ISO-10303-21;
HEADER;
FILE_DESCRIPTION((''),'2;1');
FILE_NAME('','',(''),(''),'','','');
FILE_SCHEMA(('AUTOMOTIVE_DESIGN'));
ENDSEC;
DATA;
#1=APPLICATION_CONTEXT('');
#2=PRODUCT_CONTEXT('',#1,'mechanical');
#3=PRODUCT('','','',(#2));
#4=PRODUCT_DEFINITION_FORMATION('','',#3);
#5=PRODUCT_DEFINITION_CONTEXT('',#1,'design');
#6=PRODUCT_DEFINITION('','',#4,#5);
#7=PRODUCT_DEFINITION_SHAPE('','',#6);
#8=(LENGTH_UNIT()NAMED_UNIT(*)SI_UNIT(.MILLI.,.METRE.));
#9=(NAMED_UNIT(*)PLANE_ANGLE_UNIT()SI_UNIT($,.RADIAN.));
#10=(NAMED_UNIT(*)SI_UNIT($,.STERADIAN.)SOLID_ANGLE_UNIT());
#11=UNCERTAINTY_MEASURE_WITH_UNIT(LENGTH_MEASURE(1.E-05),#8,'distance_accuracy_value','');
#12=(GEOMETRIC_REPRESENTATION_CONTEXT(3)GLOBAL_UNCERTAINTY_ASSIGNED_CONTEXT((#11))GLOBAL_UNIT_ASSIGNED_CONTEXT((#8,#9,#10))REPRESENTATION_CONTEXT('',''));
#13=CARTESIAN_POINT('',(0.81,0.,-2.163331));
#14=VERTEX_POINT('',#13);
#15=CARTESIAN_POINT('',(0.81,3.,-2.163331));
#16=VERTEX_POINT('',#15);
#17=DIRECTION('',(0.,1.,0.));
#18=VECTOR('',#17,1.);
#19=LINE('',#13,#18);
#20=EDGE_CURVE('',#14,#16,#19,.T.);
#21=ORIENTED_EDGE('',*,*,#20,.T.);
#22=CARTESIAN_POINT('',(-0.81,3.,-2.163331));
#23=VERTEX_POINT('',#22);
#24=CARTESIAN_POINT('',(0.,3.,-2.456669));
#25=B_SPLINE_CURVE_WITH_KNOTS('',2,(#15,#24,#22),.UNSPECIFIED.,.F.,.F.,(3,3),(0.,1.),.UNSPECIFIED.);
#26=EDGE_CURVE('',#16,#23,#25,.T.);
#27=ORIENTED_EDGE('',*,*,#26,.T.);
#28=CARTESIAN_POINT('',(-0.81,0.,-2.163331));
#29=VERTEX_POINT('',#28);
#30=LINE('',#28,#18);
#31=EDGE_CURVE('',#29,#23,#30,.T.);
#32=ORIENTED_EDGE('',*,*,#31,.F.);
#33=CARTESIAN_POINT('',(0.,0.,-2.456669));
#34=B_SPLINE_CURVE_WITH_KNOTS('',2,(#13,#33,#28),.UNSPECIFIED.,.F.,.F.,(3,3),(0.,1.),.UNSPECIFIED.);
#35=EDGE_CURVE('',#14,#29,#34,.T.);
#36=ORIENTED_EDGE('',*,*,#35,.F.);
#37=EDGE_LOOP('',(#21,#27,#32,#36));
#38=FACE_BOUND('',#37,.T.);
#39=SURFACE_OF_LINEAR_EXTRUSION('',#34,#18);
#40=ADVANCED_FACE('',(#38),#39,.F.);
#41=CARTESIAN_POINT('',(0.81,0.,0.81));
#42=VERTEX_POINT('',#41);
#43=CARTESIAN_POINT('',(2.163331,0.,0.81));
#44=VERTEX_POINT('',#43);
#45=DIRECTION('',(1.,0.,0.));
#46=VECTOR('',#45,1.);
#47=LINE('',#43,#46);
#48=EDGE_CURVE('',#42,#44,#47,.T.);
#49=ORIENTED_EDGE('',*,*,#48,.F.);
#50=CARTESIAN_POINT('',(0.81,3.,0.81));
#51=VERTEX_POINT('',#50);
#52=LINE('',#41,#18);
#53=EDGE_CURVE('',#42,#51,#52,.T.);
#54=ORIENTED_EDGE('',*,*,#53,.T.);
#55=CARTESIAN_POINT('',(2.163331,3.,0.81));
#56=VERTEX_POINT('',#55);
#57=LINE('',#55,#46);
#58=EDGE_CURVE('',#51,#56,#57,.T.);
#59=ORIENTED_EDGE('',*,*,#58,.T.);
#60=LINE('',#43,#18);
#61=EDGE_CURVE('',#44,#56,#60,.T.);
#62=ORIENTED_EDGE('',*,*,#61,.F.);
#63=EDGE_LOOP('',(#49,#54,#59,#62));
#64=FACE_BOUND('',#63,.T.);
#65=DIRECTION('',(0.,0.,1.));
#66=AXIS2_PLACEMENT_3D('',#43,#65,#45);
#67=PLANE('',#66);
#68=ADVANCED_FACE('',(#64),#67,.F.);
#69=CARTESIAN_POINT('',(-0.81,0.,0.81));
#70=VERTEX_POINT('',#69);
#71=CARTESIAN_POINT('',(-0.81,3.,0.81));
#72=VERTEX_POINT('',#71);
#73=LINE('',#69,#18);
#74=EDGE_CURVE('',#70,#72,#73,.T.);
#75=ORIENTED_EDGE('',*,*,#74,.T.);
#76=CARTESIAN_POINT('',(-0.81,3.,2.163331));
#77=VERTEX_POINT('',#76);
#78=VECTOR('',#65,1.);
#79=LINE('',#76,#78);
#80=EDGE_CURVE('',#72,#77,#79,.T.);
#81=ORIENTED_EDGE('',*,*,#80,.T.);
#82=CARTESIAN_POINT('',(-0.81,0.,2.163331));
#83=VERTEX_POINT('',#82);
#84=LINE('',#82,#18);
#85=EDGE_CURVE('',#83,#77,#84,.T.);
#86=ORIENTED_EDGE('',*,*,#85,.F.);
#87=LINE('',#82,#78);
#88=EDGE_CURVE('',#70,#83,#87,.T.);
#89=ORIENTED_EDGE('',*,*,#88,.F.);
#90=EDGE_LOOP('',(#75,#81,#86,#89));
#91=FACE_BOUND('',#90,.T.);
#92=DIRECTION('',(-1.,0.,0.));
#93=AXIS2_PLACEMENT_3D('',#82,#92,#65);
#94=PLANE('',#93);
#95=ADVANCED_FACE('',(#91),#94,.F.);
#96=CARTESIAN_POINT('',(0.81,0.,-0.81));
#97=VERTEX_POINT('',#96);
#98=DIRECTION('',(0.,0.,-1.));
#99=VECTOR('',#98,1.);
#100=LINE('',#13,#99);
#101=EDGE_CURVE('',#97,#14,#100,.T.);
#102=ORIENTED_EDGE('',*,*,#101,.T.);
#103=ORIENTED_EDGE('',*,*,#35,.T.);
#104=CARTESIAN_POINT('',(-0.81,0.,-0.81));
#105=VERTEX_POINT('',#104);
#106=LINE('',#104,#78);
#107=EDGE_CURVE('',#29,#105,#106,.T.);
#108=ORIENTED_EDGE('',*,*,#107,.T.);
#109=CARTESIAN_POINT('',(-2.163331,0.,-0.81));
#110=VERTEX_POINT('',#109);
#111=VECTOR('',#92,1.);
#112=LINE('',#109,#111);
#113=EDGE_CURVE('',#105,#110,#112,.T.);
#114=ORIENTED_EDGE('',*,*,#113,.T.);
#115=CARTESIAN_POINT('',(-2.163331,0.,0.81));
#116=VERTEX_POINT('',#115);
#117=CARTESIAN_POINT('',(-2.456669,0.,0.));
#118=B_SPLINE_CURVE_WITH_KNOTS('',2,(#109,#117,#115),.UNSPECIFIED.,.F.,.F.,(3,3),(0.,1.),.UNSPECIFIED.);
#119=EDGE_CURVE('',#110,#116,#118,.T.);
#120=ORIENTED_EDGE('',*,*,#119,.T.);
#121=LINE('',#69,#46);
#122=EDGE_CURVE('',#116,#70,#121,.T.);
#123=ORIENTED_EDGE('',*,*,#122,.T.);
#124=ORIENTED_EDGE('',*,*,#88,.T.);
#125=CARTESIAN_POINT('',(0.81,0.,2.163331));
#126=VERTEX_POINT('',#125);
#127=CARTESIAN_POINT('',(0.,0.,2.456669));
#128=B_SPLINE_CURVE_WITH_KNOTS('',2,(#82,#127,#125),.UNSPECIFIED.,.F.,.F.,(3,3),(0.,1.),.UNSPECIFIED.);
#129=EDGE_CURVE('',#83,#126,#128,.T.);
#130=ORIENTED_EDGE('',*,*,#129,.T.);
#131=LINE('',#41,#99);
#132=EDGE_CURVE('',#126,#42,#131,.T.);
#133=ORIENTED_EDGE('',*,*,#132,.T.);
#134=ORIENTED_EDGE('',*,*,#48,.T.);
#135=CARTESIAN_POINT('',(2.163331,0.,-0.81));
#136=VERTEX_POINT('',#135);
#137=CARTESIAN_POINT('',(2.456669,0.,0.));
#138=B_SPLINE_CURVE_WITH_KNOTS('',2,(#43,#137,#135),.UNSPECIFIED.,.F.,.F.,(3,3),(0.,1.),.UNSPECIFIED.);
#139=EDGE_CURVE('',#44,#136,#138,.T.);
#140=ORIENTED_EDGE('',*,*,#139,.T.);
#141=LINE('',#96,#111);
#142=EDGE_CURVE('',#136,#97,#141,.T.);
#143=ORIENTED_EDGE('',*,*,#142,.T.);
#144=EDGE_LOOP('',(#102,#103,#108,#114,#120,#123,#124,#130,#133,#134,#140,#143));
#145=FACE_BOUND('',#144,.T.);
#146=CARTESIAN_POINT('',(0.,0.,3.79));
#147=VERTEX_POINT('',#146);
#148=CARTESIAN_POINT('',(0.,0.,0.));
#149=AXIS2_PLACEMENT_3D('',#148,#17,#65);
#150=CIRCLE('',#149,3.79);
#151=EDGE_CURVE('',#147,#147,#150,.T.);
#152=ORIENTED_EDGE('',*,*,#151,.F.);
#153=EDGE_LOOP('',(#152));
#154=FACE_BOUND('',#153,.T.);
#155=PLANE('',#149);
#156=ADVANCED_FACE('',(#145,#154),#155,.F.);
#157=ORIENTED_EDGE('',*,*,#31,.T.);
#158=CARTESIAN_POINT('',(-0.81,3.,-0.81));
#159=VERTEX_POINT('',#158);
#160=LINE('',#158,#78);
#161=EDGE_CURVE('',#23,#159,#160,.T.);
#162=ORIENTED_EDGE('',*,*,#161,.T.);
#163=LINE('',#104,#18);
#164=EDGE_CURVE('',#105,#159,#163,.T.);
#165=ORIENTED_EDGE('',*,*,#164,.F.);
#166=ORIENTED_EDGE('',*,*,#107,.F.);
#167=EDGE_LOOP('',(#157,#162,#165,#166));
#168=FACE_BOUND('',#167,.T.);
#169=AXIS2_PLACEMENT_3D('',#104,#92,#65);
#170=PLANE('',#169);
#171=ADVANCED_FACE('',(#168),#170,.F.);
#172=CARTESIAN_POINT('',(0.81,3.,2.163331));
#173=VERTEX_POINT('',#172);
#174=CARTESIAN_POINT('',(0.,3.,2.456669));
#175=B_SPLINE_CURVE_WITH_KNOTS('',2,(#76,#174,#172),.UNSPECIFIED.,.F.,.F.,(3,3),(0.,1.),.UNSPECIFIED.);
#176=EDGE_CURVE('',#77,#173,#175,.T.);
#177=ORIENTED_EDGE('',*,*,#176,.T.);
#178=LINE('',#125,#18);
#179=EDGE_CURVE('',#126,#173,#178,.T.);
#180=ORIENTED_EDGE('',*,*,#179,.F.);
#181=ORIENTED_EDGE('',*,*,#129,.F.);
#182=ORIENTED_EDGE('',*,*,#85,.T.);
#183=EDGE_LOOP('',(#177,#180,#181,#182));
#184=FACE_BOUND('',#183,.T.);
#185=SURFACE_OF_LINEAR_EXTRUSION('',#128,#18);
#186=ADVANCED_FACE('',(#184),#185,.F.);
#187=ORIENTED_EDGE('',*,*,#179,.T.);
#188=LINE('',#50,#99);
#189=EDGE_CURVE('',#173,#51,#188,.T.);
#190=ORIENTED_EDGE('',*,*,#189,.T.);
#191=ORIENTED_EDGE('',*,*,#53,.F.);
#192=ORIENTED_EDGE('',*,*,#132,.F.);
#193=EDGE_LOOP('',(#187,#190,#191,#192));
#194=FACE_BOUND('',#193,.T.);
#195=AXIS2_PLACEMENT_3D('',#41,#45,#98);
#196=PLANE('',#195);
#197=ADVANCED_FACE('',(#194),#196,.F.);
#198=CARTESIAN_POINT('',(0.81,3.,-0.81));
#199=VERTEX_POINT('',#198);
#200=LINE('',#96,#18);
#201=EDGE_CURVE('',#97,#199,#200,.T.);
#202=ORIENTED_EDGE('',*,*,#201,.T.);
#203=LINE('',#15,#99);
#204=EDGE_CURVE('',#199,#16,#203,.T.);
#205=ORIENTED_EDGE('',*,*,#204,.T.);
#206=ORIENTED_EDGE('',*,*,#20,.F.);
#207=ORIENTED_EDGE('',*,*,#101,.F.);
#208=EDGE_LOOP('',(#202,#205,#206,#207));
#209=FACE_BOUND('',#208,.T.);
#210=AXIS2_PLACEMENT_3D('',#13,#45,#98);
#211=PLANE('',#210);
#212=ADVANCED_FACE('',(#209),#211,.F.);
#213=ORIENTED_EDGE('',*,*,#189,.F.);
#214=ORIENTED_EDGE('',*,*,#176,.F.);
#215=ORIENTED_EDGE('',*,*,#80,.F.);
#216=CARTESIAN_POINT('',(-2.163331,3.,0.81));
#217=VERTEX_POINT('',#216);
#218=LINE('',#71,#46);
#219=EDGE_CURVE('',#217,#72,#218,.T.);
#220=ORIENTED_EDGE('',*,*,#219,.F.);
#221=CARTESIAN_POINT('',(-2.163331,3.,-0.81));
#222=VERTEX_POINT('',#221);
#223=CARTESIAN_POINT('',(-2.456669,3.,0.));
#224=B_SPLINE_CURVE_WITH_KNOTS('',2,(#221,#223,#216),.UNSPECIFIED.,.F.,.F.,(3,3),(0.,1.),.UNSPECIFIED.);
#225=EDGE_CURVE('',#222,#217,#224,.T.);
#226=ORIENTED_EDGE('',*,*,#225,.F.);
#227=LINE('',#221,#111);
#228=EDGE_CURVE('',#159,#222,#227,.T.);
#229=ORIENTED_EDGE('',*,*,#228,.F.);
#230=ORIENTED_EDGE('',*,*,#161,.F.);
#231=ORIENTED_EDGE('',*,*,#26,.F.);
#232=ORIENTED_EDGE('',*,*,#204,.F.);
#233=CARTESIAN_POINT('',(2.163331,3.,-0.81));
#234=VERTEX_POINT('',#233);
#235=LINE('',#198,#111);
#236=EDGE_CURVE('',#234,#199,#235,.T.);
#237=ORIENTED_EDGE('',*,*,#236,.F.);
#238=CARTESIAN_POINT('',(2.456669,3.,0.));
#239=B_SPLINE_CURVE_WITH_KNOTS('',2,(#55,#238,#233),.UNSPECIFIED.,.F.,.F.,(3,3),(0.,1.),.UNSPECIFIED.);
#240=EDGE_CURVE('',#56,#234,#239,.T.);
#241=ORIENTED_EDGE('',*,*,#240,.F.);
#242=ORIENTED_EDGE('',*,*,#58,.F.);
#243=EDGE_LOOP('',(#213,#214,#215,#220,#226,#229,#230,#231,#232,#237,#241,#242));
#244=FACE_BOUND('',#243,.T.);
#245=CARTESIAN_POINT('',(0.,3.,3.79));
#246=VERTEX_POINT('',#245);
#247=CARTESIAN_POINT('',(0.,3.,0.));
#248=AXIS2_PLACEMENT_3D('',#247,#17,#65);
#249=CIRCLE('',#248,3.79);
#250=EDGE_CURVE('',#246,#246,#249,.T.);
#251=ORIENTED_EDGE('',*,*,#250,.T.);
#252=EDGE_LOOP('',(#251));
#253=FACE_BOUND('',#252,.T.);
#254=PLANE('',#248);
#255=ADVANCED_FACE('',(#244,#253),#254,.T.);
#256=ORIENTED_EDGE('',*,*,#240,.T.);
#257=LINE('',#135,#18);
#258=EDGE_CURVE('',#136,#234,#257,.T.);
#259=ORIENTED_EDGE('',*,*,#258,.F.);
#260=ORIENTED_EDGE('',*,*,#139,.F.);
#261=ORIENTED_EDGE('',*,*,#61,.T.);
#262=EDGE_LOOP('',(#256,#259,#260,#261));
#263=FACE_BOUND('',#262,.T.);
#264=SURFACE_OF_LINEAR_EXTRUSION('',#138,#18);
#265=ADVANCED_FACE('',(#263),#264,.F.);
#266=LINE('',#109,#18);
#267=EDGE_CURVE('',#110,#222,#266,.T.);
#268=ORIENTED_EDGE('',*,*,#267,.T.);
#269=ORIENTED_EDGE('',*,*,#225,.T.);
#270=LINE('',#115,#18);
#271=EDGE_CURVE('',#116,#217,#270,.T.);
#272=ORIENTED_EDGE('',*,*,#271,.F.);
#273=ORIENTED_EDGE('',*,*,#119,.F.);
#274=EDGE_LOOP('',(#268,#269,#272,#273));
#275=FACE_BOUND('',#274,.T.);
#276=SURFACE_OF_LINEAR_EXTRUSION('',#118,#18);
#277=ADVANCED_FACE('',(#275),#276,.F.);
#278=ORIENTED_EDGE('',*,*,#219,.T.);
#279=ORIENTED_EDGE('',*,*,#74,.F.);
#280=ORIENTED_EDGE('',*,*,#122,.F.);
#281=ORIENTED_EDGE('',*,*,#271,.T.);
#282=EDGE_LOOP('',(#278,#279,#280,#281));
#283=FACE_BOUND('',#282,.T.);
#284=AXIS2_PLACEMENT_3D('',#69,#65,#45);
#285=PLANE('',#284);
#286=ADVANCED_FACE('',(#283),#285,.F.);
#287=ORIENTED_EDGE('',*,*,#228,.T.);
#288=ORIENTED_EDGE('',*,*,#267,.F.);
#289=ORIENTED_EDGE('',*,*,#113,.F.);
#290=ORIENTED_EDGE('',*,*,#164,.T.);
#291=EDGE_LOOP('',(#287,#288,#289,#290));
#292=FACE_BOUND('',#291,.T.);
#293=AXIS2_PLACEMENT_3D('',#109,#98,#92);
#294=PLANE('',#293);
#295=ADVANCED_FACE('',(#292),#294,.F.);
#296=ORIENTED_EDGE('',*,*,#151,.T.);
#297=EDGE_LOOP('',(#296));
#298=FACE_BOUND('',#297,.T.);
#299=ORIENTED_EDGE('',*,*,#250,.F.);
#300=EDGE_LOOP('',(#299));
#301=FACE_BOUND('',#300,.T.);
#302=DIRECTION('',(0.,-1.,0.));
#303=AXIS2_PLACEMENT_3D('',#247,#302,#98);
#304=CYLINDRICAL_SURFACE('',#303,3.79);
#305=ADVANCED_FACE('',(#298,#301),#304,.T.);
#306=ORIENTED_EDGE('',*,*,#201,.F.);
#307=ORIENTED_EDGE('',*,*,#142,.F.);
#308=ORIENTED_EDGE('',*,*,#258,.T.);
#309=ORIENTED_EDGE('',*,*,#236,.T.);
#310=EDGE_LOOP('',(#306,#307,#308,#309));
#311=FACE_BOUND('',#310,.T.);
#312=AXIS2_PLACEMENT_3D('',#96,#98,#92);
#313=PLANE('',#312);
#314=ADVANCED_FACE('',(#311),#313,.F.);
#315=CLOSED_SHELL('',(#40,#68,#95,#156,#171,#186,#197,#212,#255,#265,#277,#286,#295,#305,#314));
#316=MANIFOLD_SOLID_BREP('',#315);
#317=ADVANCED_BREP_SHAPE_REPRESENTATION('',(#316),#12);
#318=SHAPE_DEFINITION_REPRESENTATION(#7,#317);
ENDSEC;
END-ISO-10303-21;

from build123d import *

# Parameters (mm, degrees)
SKETCH1_R           = 3.79
BOSS_EXTRUDE1_DEPTH = 3
CUT_EXTRUDE1_DEPTH  = 3


with BuildPart() as part:
    # Sketch1 → Boss-Extrude1 (new body)
    with BuildSketch(Plane(origin=(0, 0, 0), x_dir=(1, 0, 0), z_dir=(0, 1, 0))):
        with Locations(Location((0, 0, 0), (0, 0, 270))):
            Circle(SKETCH1_R)
    extrude(amount=BOSS_EXTRUDE1_DEPTH)

    # Sketch2 → Cut-Extrude1 (cut)
    with BuildSketch(Plane(origin=(0, 3, 0), x_dir=(1, 0, 0), z_dir=(0, 1, 0))):
        with BuildLine():
            Line((-2.163330765, 0.81), (-0.81, 0.81))
            Line((-0.81, 0.81), (-0.81, 2.163330765))
            add(Edge.make_bspline(
                [(-0.81, 2.163330765), (0, 2.456669235), (0.81, 2.163330765)],
                knots=[0, 0, 0, 1, 1, 1], degree=2))
            Line((0.81, 2.163330765), (0.81, 0.81))
            Line((0.81, 0.81), (2.163330765, 0.81))
            add(Edge.make_bspline(
                [(2.163330765, 0.81), (2.456669235, 0), (2.163330765, -0.81)],
                knots=[0, 0, 0, 1, 1, 1], degree=2))
            Line((2.163330765, -0.81), (0.81, -0.81))
            Line((0.81, -0.81), (0.81, -2.163330765))
            add(Edge.make_bspline(
                [(0.81, -2.163330765), (0, -2.456669235), (-0.81, -2.163330765)],
                knots=[0, 0, 0, 1, 1, 1], degree=2))
            Line((-0.81, -2.163330765), (-0.81, -0.81))
            Line((-0.81, -0.81), (-2.163330765, -0.81))
            add(Edge.make_bspline(
                [(-2.163330765, -0.81), (-2.456669235, 0), (-2.163330765, 0.81)],
                knots=[0, 0, 0, 1, 1, 1], degree=2))
        make_face()
    extrude(amount=-CUT_EXTRUDE1_DEPTH, mode=Mode.SUBTRACT)


solid = part.part
